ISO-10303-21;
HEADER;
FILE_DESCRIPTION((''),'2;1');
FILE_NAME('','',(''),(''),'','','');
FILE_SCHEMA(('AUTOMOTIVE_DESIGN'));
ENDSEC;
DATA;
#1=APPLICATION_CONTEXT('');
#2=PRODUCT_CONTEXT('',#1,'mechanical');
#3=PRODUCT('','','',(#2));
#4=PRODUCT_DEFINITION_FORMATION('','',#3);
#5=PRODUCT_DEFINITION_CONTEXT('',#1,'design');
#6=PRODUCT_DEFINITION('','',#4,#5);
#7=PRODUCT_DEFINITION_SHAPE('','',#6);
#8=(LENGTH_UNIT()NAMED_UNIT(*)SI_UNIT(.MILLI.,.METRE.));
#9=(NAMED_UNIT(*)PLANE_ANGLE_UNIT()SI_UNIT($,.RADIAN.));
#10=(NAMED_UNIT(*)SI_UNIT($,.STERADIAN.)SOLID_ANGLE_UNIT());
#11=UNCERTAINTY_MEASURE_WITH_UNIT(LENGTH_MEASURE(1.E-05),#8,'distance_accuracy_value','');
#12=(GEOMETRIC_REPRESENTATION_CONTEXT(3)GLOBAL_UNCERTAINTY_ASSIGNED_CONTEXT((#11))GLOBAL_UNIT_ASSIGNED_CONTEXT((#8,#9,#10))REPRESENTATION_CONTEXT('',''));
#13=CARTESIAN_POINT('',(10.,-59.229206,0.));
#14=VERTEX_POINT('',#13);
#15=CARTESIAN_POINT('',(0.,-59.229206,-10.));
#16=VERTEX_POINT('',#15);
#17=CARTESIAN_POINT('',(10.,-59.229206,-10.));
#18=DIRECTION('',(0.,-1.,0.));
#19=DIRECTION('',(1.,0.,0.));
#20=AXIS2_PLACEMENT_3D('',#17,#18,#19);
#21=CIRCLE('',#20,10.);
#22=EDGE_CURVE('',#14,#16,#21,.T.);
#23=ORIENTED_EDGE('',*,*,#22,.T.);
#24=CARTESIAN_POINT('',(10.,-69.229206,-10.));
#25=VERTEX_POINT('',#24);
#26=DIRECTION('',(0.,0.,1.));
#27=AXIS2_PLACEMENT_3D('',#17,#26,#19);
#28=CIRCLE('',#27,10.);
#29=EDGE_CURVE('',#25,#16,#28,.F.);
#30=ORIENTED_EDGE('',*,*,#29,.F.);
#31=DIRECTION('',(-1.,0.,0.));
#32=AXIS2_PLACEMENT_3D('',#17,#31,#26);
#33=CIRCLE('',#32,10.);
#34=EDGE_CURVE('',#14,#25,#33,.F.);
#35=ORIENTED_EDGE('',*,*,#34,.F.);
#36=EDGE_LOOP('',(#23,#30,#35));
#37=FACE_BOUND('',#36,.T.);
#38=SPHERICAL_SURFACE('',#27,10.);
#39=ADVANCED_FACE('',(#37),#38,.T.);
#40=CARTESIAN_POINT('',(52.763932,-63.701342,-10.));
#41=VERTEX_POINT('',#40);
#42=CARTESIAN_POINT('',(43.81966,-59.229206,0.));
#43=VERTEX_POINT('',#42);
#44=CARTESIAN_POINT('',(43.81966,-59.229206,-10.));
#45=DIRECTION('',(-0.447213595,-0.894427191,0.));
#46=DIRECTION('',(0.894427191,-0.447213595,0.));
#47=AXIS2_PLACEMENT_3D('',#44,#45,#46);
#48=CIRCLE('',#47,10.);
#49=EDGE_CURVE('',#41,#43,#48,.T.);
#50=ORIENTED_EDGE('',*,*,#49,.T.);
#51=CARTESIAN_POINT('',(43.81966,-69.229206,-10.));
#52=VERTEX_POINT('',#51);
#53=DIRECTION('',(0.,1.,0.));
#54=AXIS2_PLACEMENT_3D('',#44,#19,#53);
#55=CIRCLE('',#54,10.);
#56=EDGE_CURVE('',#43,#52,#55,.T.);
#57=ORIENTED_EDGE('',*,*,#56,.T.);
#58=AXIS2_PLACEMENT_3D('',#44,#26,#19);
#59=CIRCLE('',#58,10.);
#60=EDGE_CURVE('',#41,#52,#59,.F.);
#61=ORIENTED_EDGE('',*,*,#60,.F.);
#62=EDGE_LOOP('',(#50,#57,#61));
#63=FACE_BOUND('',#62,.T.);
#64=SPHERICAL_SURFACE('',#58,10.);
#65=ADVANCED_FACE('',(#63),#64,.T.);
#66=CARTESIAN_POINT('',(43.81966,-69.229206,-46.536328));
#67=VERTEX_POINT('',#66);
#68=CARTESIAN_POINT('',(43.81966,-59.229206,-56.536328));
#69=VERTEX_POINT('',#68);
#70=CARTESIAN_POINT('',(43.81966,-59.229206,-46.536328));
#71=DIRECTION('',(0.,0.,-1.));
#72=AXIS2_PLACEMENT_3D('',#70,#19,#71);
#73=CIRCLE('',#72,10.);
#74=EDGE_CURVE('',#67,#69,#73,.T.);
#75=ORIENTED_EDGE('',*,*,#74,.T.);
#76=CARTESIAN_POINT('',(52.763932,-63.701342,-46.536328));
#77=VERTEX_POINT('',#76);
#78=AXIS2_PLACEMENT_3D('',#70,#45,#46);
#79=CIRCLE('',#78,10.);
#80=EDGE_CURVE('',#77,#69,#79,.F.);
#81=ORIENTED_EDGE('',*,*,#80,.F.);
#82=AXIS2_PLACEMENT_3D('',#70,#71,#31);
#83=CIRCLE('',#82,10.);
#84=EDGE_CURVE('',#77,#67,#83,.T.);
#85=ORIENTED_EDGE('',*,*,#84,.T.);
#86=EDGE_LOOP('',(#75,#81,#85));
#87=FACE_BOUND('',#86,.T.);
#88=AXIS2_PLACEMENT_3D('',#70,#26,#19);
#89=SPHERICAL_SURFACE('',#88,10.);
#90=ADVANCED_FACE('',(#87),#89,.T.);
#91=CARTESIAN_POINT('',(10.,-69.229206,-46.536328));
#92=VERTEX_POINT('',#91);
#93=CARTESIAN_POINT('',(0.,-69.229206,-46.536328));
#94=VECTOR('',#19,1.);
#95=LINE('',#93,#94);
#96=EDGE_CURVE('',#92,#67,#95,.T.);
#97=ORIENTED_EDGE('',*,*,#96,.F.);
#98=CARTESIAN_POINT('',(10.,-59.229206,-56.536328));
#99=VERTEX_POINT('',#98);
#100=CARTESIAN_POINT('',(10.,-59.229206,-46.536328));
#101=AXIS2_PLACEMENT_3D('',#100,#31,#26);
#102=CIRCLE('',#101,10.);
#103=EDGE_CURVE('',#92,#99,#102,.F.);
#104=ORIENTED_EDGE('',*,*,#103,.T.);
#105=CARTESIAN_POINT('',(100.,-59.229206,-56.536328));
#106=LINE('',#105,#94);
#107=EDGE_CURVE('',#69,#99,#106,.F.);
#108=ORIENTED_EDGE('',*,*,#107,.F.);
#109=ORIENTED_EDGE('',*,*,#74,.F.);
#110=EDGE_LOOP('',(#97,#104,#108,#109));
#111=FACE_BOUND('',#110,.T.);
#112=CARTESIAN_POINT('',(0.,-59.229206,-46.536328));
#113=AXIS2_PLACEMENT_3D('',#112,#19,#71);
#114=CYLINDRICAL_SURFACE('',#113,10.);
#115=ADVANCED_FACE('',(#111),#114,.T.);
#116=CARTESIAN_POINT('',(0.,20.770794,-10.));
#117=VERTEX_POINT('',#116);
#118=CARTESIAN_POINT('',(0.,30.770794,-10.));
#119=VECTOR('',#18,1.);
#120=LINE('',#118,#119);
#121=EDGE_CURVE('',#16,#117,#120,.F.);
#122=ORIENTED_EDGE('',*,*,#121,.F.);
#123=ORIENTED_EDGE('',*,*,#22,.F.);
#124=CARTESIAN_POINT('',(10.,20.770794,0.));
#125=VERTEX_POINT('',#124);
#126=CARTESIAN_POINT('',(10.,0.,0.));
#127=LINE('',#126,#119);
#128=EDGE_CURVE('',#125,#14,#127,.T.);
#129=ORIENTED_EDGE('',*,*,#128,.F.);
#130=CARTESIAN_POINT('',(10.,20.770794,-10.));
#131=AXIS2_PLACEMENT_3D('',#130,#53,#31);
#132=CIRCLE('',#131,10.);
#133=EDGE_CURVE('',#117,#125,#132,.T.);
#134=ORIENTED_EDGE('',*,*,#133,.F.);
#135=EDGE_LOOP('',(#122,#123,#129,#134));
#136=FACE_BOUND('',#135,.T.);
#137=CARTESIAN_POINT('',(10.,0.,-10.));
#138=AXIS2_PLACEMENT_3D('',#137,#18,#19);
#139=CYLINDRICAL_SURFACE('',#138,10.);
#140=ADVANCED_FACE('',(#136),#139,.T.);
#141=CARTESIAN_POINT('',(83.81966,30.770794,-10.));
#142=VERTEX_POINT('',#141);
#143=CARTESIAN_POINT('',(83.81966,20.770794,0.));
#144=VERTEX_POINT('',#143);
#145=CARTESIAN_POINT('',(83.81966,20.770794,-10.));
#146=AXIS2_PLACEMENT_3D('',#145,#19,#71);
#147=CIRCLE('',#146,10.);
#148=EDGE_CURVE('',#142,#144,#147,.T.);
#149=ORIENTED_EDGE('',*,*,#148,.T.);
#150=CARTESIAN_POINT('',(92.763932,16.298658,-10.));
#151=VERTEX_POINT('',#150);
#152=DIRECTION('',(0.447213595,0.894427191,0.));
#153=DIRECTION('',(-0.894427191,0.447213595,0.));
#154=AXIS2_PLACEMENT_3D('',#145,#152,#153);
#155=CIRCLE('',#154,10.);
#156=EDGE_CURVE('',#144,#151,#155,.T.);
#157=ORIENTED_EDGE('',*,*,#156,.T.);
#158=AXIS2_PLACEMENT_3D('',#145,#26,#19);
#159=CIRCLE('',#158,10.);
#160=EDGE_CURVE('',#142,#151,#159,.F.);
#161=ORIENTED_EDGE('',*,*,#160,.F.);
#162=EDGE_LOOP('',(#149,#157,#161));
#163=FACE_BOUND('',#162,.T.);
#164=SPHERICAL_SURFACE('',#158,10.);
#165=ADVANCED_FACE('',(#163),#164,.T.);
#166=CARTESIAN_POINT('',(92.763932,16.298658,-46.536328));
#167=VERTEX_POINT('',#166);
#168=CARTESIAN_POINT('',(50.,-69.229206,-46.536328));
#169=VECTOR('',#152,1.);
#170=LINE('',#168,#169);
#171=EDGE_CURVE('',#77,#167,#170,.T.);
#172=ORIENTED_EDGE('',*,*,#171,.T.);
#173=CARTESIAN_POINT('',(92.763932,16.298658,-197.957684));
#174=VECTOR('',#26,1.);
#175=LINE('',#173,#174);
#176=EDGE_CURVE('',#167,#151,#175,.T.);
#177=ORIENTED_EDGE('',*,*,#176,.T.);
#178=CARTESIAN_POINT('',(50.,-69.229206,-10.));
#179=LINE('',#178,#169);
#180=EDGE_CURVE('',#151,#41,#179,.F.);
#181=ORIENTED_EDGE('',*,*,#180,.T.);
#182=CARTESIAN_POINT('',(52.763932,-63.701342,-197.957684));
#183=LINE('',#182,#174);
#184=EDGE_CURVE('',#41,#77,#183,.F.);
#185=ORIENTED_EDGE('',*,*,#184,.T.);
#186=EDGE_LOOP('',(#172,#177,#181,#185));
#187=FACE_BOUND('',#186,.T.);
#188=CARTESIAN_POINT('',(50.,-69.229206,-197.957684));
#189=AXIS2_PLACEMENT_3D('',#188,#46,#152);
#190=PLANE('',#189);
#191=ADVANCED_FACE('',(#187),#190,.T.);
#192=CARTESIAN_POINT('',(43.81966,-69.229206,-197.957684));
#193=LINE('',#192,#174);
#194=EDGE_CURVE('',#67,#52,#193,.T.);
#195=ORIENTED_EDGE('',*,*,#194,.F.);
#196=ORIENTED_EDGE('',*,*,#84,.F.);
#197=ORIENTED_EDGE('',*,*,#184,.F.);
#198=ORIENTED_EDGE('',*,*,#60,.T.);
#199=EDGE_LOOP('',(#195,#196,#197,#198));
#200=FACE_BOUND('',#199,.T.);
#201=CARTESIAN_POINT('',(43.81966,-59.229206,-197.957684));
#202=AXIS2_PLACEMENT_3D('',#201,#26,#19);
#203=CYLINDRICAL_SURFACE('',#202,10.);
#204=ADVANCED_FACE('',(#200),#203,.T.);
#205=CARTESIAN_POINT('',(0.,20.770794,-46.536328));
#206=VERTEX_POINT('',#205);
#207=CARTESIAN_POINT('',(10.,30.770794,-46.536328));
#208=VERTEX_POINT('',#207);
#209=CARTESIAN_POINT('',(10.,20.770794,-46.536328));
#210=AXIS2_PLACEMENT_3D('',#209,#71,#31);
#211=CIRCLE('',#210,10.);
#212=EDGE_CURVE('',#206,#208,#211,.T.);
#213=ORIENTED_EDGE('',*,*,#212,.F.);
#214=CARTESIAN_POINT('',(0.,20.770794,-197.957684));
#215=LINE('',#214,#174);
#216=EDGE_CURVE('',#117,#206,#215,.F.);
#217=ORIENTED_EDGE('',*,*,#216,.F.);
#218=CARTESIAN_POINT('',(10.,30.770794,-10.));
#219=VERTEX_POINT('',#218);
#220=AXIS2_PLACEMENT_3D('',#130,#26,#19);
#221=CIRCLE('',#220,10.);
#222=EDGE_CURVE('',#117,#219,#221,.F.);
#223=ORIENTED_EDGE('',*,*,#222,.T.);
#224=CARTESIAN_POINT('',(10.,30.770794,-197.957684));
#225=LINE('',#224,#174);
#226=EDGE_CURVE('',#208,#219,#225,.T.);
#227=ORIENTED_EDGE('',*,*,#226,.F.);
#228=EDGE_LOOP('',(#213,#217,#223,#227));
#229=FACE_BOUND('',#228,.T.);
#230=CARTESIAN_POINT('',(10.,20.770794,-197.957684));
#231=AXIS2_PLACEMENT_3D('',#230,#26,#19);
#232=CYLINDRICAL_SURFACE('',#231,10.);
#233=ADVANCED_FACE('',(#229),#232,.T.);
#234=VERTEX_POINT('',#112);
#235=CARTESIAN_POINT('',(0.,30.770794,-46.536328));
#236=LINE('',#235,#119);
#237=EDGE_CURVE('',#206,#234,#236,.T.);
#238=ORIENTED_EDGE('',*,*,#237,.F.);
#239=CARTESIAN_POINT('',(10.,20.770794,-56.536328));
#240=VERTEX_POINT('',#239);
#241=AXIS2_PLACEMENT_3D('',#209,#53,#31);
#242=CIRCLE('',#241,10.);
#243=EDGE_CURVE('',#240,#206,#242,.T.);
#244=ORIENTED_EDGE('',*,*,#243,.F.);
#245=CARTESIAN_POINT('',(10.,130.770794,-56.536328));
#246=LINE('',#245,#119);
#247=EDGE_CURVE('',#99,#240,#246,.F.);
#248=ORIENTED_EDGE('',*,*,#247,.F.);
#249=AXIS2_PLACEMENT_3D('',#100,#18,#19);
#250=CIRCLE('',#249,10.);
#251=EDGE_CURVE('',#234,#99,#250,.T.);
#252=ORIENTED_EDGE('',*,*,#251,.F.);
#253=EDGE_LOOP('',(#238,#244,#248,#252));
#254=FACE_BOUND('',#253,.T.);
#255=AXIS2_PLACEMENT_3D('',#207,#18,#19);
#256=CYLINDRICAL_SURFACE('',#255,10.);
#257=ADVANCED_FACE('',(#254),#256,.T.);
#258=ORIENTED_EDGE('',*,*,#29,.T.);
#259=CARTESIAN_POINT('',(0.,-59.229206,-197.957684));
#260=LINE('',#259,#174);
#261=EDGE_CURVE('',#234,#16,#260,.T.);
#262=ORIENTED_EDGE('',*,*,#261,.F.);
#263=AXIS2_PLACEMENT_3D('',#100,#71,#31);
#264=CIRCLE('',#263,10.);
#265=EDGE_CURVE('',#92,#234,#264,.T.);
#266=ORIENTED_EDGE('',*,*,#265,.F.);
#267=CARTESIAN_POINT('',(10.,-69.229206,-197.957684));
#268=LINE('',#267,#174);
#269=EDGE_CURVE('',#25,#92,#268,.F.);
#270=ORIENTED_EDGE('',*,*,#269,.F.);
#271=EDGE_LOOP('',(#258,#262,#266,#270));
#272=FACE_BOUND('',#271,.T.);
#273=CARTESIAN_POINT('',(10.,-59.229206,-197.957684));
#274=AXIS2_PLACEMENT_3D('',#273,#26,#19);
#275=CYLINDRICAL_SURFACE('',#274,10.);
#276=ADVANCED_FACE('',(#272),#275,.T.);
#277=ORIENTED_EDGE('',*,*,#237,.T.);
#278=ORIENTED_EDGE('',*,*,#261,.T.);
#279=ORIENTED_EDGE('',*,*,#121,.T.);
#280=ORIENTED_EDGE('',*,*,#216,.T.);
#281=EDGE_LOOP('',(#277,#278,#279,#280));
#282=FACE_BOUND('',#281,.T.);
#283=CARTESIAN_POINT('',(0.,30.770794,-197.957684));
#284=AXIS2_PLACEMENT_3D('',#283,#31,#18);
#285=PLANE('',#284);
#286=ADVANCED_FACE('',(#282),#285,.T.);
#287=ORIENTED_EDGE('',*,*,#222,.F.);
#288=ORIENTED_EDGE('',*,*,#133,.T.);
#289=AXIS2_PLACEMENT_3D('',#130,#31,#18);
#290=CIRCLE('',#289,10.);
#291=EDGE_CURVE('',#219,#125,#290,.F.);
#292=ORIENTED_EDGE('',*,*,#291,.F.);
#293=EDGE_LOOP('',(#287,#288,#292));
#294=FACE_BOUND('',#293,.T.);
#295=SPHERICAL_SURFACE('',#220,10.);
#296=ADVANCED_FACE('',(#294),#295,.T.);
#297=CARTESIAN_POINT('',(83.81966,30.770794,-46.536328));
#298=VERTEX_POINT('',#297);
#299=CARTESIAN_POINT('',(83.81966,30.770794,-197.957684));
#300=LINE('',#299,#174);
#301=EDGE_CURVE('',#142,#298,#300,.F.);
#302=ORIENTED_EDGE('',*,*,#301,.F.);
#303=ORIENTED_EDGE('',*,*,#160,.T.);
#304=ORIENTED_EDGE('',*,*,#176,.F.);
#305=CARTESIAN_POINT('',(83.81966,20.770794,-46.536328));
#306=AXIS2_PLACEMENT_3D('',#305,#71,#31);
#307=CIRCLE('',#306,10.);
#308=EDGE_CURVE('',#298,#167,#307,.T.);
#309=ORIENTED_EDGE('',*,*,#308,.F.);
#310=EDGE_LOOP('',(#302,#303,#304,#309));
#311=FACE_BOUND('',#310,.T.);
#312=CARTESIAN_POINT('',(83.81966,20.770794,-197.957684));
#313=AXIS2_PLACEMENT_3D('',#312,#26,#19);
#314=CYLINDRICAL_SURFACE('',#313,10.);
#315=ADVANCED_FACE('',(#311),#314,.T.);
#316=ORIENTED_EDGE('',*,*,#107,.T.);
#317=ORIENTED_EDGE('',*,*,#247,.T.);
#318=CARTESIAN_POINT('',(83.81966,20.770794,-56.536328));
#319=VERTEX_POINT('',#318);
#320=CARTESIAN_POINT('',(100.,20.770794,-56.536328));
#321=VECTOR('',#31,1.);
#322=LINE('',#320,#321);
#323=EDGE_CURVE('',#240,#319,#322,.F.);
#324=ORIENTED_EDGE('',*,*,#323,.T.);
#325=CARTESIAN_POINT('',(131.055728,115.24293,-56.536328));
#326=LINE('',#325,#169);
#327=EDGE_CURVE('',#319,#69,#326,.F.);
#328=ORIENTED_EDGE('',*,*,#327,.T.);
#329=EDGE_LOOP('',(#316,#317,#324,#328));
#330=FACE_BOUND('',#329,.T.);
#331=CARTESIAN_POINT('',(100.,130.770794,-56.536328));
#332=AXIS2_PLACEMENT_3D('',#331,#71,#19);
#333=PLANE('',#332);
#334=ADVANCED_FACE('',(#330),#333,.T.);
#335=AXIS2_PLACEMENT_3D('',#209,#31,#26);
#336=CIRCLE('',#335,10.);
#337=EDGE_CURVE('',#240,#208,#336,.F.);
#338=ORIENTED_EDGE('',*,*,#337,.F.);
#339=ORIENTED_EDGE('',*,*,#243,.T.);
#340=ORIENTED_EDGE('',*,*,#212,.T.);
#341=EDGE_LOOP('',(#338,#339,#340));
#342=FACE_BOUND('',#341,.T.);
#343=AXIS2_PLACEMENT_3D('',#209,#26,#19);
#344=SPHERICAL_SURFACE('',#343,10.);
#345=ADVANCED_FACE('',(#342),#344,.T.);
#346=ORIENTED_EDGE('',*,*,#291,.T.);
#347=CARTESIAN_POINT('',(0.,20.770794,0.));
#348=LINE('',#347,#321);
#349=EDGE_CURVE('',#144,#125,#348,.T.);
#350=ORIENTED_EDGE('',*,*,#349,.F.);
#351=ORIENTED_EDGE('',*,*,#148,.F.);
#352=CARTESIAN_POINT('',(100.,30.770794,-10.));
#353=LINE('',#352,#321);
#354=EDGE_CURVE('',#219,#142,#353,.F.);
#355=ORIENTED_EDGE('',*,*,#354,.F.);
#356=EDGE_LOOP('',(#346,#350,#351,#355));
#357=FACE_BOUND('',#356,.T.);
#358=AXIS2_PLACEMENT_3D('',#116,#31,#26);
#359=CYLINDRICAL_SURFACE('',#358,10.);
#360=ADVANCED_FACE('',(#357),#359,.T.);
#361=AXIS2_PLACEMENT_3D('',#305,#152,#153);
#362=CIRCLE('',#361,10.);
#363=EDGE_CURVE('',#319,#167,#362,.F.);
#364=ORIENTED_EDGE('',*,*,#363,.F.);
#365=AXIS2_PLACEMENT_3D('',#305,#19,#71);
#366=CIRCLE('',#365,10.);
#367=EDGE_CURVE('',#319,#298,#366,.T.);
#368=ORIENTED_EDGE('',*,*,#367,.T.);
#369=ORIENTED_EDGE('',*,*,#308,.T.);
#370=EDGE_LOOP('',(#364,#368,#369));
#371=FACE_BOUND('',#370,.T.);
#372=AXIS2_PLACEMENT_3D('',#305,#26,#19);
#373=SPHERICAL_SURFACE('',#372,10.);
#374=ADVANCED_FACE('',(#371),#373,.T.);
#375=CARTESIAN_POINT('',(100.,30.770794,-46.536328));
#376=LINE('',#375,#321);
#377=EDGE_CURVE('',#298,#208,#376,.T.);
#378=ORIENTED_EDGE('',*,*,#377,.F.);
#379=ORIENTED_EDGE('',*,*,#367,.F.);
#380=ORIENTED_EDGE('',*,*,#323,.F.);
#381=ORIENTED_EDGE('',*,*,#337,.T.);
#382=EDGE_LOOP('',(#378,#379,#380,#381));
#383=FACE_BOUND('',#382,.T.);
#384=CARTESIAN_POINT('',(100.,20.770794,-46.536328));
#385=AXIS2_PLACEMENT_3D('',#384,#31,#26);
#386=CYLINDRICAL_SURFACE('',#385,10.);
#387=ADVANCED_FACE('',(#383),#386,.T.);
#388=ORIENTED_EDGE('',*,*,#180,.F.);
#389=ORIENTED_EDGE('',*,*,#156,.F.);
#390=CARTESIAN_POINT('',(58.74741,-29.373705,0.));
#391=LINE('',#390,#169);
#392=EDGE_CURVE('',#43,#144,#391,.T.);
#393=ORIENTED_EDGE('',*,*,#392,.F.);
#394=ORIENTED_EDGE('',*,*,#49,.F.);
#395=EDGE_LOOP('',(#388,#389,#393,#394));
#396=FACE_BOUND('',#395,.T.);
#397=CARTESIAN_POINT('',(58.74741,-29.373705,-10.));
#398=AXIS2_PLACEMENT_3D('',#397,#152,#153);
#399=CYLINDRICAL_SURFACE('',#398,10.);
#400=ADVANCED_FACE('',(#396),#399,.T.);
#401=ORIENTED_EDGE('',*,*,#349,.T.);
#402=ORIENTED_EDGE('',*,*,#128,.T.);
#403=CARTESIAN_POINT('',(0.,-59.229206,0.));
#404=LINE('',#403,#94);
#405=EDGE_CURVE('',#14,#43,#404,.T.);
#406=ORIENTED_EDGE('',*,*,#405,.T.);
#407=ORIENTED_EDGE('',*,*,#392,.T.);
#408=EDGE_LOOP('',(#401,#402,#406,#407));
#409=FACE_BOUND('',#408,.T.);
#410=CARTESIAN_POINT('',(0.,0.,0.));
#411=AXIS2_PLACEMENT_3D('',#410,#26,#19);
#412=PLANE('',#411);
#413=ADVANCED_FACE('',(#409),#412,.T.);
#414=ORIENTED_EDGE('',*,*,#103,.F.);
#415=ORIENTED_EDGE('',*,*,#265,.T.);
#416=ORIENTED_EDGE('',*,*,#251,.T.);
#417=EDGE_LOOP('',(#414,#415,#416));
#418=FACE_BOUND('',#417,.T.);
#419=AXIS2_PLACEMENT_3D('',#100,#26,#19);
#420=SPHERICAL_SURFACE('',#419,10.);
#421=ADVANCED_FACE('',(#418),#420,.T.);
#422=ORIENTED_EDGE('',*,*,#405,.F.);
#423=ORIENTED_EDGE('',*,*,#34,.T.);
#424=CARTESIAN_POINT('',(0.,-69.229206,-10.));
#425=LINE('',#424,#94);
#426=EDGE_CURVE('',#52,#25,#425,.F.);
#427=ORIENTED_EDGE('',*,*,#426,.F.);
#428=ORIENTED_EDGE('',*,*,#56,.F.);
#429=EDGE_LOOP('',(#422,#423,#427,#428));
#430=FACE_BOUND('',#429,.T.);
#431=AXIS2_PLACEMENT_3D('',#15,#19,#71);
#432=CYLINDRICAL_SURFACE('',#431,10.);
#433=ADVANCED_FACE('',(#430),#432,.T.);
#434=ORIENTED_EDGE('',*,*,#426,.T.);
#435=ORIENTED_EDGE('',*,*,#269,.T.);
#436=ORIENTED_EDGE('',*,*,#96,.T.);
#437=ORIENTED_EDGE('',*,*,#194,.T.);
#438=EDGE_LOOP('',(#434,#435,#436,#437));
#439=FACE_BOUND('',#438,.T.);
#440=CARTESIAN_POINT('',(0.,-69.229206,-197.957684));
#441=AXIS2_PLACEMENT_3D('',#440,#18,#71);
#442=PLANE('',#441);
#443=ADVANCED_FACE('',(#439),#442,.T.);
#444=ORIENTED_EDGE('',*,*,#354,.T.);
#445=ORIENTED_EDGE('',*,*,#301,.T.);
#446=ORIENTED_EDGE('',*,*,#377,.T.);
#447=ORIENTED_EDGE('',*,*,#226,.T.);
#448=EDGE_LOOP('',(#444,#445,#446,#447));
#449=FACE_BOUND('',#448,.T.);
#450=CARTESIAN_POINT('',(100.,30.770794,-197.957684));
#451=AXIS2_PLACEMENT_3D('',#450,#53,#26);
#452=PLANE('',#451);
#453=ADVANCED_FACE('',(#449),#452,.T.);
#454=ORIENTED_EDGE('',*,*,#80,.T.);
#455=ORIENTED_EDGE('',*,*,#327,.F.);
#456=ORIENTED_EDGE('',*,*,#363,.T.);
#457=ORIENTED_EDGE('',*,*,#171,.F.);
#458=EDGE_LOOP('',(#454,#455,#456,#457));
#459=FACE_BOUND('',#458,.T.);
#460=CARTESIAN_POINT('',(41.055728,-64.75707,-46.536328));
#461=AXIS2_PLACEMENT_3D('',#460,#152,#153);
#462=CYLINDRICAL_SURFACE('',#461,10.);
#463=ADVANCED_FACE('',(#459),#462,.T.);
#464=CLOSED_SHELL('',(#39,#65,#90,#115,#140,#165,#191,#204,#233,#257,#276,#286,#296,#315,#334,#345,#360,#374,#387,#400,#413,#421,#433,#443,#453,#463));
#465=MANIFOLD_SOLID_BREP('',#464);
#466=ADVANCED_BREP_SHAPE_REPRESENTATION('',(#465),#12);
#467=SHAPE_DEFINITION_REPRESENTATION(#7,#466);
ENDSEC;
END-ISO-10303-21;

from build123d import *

# Parameters (mm, degrees)
BOSS_EXTRU_1_DEPTH = 56.536328
CONG_1_R           = 10


with BuildPart() as part:
    # Esquisse1 → Boss.-Extru.1 (new body)
    with BuildSketch(Plane.XY):
        Polygon((50, -69.229205607), (100, 30.770794393), (0, 30.770794393), (0, -69.229205607), align=None)
    extrude(amount=-BOSS_EXTRU_1_DEPTH)

    # Congé1
    cong_1_edges = [part.edges().sort_by_distance(p)[0] for p in [
        (0, -19.229205607, 0),
        (25, -69.229205607, 0),
        (50, 30.770794393, -56.536328),
        (0, 30.770794393, -28.268164),
        (0, -19.229205607, -56.536328),
        (0, -69.229205607, -28.268164),
        (25, -69.229205607, -56.536328),
        (50, -69.229205607, -28.268164),
        (75, -19.229205607, -56.536328),
        (100, 30.770794393, -28.268164),
        (75, -19.229205607, 0),
        (50, 30.770794393, 0),
    ]]
    fillet(cong_1_edges, radius=CONG_1_R)


solid = part.part
